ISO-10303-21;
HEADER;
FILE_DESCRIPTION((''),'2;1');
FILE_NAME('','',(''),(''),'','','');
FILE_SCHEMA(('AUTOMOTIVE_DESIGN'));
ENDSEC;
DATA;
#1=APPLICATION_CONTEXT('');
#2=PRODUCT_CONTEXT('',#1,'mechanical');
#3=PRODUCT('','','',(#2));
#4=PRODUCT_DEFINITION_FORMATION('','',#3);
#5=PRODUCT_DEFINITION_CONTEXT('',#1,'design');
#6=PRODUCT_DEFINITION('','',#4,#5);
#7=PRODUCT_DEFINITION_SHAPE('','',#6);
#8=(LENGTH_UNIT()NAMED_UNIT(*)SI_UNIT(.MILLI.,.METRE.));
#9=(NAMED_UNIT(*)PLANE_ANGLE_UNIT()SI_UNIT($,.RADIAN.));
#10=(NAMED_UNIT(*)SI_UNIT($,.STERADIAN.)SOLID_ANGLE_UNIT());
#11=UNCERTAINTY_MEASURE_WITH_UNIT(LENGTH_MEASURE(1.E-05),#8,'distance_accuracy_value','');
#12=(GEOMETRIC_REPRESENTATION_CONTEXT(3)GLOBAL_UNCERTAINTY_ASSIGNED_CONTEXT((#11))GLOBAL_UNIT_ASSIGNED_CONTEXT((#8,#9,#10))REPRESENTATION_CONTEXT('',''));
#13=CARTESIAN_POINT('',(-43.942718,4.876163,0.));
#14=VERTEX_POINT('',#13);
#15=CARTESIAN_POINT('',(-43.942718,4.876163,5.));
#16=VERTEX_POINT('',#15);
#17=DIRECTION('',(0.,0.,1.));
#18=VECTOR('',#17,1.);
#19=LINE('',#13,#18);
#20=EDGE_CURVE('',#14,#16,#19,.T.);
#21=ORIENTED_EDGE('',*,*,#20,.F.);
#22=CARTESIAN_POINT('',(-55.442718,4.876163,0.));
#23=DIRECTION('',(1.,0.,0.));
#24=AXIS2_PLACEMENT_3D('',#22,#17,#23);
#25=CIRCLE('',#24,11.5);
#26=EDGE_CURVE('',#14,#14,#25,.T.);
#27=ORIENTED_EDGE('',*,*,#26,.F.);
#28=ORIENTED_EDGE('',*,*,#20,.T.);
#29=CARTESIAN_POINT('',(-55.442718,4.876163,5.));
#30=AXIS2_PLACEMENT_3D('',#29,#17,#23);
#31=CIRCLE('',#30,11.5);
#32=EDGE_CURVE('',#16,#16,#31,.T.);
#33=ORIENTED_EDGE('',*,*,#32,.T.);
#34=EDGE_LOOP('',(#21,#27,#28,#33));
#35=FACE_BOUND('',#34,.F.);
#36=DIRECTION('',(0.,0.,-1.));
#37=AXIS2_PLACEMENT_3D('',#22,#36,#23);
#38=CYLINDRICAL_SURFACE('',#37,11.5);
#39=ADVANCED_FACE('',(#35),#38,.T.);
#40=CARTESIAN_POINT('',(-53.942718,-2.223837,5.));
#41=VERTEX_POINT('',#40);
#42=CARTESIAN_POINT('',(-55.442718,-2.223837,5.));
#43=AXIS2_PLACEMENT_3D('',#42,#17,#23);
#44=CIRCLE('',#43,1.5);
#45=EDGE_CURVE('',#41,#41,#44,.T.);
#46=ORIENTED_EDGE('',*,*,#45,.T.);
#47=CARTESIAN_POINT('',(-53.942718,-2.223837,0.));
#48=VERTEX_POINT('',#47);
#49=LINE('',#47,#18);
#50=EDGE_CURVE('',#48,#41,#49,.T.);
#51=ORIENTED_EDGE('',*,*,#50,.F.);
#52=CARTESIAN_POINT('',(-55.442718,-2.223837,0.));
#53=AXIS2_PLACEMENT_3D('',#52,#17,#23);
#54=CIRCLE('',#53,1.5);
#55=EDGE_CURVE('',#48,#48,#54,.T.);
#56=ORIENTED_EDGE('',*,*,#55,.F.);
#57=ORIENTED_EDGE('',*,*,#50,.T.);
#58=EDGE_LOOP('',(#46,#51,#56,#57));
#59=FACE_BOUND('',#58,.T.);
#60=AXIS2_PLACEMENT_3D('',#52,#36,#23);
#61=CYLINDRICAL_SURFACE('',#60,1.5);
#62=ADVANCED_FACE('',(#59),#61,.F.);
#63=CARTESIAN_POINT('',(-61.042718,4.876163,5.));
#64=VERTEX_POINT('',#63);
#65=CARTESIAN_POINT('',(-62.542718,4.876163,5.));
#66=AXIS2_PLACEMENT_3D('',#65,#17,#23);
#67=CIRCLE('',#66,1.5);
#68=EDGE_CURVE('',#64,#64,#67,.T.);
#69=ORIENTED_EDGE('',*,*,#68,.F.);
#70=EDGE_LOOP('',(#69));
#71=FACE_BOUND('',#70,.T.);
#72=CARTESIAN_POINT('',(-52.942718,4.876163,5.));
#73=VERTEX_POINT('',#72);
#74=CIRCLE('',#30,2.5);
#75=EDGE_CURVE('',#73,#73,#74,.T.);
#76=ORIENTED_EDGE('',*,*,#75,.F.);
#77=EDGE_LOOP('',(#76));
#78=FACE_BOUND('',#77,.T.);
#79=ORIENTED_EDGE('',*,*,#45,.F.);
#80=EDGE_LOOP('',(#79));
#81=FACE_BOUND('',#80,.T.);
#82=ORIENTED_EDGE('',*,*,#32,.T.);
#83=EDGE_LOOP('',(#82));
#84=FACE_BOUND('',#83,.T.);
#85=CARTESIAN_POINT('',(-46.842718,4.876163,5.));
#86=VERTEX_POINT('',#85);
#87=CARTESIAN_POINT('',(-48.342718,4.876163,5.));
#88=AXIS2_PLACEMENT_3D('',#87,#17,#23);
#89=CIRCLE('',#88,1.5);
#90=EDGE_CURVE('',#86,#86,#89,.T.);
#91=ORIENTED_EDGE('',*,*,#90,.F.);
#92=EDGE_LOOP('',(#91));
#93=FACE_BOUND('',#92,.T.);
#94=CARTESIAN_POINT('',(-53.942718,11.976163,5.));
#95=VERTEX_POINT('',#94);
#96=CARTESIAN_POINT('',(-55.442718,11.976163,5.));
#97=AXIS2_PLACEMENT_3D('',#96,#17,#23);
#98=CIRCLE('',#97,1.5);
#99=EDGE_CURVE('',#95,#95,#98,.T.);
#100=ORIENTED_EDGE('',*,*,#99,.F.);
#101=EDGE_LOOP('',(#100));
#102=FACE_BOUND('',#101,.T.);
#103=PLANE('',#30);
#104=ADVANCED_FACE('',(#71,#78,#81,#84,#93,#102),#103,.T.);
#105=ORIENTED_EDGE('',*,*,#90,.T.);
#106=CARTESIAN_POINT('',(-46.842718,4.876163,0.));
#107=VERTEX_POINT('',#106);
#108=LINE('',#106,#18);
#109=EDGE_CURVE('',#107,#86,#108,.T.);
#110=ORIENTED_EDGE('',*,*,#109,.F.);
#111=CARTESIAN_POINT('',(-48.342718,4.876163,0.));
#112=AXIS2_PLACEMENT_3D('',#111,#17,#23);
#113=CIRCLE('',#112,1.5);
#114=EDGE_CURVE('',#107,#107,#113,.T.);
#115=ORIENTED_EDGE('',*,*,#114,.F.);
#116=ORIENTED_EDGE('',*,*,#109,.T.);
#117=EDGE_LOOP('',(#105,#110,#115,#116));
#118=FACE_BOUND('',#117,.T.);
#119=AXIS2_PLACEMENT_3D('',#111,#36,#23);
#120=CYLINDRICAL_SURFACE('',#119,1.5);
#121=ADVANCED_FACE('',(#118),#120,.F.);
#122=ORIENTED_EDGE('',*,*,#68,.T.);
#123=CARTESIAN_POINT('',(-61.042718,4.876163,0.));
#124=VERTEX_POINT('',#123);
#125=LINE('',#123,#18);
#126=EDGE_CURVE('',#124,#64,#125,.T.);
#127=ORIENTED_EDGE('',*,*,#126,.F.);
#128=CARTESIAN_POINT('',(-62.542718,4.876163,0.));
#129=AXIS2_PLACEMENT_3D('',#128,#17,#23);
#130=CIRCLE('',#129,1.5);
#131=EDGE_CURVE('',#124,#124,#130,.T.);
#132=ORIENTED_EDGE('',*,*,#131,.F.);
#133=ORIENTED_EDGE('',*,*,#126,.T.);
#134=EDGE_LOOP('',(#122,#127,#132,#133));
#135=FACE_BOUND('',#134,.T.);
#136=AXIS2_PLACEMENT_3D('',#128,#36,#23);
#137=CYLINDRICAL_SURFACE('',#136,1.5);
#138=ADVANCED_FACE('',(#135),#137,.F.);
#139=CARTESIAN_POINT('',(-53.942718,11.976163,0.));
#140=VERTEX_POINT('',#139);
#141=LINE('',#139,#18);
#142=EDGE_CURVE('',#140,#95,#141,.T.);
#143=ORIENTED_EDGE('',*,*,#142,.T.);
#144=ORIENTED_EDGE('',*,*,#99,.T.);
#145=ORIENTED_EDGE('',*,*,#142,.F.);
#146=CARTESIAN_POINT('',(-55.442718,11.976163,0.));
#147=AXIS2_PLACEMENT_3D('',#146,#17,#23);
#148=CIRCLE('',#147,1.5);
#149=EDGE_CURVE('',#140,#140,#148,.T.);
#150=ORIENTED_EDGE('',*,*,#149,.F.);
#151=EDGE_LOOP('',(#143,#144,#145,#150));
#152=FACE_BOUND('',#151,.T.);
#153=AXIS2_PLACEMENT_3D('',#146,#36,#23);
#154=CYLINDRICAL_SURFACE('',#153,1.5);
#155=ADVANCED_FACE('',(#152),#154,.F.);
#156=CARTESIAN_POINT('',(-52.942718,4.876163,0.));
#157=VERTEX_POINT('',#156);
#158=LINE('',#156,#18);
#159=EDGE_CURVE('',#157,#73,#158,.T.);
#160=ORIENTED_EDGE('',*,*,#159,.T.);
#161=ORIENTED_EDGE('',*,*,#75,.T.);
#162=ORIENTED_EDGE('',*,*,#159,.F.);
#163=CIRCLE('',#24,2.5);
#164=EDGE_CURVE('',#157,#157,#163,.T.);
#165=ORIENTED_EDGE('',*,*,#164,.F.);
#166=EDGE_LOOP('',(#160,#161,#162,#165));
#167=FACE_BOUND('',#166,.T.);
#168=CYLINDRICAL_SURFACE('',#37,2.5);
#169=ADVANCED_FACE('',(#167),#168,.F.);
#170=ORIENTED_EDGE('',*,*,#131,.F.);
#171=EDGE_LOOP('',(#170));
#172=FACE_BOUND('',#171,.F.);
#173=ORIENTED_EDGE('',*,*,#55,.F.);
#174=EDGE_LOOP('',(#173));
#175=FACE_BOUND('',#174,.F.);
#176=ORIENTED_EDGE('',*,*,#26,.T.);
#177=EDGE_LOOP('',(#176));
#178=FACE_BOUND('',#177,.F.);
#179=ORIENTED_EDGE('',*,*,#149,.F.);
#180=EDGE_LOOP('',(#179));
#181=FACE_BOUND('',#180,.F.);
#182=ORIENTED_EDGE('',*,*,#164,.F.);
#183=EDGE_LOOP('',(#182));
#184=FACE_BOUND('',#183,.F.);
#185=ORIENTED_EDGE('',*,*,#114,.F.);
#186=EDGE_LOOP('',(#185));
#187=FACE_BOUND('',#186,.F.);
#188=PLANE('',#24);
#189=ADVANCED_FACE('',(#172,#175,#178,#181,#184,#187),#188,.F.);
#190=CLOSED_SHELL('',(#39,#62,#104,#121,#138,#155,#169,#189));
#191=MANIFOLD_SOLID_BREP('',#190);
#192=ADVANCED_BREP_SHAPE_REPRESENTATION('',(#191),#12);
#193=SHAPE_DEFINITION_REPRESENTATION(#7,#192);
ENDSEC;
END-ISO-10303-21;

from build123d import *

# Parameters (mm, degrees)
F0_R     = 11.5
F0_R_2   = 1.5
F0_R_3   = 2.5
F1_DEPTH = 5


with BuildPart() as f1:
    # F0 (on Top) → F1 (new body)
    with BuildSketch(Plane.XY):
        with Locations((-55.442718, 4.876163)):
            Circle(F0_R)
        with Locations((-55.442718, -2.223837)):
            Circle(F0_R_2, mode=Mode.SUBTRACT)
        with Locations((-62.542718, 4.876163)):
            Circle(F0_R_2, mode=Mode.SUBTRACT)
        with Locations((-55.442718, 4.876163)):
            Circle(F0_R_3, mode=Mode.SUBTRACT)
        with Locations((-48.342718, 4.876163)):
            Circle(F0_R_2, mode=Mode.SUBTRACT)
        with Locations((-55.442718, 11.976163)):
            Circle(F0_R_2, mode=Mode.SUBTRACT)
    extrude(amount=F1_DEPTH)


solid = f1.part
